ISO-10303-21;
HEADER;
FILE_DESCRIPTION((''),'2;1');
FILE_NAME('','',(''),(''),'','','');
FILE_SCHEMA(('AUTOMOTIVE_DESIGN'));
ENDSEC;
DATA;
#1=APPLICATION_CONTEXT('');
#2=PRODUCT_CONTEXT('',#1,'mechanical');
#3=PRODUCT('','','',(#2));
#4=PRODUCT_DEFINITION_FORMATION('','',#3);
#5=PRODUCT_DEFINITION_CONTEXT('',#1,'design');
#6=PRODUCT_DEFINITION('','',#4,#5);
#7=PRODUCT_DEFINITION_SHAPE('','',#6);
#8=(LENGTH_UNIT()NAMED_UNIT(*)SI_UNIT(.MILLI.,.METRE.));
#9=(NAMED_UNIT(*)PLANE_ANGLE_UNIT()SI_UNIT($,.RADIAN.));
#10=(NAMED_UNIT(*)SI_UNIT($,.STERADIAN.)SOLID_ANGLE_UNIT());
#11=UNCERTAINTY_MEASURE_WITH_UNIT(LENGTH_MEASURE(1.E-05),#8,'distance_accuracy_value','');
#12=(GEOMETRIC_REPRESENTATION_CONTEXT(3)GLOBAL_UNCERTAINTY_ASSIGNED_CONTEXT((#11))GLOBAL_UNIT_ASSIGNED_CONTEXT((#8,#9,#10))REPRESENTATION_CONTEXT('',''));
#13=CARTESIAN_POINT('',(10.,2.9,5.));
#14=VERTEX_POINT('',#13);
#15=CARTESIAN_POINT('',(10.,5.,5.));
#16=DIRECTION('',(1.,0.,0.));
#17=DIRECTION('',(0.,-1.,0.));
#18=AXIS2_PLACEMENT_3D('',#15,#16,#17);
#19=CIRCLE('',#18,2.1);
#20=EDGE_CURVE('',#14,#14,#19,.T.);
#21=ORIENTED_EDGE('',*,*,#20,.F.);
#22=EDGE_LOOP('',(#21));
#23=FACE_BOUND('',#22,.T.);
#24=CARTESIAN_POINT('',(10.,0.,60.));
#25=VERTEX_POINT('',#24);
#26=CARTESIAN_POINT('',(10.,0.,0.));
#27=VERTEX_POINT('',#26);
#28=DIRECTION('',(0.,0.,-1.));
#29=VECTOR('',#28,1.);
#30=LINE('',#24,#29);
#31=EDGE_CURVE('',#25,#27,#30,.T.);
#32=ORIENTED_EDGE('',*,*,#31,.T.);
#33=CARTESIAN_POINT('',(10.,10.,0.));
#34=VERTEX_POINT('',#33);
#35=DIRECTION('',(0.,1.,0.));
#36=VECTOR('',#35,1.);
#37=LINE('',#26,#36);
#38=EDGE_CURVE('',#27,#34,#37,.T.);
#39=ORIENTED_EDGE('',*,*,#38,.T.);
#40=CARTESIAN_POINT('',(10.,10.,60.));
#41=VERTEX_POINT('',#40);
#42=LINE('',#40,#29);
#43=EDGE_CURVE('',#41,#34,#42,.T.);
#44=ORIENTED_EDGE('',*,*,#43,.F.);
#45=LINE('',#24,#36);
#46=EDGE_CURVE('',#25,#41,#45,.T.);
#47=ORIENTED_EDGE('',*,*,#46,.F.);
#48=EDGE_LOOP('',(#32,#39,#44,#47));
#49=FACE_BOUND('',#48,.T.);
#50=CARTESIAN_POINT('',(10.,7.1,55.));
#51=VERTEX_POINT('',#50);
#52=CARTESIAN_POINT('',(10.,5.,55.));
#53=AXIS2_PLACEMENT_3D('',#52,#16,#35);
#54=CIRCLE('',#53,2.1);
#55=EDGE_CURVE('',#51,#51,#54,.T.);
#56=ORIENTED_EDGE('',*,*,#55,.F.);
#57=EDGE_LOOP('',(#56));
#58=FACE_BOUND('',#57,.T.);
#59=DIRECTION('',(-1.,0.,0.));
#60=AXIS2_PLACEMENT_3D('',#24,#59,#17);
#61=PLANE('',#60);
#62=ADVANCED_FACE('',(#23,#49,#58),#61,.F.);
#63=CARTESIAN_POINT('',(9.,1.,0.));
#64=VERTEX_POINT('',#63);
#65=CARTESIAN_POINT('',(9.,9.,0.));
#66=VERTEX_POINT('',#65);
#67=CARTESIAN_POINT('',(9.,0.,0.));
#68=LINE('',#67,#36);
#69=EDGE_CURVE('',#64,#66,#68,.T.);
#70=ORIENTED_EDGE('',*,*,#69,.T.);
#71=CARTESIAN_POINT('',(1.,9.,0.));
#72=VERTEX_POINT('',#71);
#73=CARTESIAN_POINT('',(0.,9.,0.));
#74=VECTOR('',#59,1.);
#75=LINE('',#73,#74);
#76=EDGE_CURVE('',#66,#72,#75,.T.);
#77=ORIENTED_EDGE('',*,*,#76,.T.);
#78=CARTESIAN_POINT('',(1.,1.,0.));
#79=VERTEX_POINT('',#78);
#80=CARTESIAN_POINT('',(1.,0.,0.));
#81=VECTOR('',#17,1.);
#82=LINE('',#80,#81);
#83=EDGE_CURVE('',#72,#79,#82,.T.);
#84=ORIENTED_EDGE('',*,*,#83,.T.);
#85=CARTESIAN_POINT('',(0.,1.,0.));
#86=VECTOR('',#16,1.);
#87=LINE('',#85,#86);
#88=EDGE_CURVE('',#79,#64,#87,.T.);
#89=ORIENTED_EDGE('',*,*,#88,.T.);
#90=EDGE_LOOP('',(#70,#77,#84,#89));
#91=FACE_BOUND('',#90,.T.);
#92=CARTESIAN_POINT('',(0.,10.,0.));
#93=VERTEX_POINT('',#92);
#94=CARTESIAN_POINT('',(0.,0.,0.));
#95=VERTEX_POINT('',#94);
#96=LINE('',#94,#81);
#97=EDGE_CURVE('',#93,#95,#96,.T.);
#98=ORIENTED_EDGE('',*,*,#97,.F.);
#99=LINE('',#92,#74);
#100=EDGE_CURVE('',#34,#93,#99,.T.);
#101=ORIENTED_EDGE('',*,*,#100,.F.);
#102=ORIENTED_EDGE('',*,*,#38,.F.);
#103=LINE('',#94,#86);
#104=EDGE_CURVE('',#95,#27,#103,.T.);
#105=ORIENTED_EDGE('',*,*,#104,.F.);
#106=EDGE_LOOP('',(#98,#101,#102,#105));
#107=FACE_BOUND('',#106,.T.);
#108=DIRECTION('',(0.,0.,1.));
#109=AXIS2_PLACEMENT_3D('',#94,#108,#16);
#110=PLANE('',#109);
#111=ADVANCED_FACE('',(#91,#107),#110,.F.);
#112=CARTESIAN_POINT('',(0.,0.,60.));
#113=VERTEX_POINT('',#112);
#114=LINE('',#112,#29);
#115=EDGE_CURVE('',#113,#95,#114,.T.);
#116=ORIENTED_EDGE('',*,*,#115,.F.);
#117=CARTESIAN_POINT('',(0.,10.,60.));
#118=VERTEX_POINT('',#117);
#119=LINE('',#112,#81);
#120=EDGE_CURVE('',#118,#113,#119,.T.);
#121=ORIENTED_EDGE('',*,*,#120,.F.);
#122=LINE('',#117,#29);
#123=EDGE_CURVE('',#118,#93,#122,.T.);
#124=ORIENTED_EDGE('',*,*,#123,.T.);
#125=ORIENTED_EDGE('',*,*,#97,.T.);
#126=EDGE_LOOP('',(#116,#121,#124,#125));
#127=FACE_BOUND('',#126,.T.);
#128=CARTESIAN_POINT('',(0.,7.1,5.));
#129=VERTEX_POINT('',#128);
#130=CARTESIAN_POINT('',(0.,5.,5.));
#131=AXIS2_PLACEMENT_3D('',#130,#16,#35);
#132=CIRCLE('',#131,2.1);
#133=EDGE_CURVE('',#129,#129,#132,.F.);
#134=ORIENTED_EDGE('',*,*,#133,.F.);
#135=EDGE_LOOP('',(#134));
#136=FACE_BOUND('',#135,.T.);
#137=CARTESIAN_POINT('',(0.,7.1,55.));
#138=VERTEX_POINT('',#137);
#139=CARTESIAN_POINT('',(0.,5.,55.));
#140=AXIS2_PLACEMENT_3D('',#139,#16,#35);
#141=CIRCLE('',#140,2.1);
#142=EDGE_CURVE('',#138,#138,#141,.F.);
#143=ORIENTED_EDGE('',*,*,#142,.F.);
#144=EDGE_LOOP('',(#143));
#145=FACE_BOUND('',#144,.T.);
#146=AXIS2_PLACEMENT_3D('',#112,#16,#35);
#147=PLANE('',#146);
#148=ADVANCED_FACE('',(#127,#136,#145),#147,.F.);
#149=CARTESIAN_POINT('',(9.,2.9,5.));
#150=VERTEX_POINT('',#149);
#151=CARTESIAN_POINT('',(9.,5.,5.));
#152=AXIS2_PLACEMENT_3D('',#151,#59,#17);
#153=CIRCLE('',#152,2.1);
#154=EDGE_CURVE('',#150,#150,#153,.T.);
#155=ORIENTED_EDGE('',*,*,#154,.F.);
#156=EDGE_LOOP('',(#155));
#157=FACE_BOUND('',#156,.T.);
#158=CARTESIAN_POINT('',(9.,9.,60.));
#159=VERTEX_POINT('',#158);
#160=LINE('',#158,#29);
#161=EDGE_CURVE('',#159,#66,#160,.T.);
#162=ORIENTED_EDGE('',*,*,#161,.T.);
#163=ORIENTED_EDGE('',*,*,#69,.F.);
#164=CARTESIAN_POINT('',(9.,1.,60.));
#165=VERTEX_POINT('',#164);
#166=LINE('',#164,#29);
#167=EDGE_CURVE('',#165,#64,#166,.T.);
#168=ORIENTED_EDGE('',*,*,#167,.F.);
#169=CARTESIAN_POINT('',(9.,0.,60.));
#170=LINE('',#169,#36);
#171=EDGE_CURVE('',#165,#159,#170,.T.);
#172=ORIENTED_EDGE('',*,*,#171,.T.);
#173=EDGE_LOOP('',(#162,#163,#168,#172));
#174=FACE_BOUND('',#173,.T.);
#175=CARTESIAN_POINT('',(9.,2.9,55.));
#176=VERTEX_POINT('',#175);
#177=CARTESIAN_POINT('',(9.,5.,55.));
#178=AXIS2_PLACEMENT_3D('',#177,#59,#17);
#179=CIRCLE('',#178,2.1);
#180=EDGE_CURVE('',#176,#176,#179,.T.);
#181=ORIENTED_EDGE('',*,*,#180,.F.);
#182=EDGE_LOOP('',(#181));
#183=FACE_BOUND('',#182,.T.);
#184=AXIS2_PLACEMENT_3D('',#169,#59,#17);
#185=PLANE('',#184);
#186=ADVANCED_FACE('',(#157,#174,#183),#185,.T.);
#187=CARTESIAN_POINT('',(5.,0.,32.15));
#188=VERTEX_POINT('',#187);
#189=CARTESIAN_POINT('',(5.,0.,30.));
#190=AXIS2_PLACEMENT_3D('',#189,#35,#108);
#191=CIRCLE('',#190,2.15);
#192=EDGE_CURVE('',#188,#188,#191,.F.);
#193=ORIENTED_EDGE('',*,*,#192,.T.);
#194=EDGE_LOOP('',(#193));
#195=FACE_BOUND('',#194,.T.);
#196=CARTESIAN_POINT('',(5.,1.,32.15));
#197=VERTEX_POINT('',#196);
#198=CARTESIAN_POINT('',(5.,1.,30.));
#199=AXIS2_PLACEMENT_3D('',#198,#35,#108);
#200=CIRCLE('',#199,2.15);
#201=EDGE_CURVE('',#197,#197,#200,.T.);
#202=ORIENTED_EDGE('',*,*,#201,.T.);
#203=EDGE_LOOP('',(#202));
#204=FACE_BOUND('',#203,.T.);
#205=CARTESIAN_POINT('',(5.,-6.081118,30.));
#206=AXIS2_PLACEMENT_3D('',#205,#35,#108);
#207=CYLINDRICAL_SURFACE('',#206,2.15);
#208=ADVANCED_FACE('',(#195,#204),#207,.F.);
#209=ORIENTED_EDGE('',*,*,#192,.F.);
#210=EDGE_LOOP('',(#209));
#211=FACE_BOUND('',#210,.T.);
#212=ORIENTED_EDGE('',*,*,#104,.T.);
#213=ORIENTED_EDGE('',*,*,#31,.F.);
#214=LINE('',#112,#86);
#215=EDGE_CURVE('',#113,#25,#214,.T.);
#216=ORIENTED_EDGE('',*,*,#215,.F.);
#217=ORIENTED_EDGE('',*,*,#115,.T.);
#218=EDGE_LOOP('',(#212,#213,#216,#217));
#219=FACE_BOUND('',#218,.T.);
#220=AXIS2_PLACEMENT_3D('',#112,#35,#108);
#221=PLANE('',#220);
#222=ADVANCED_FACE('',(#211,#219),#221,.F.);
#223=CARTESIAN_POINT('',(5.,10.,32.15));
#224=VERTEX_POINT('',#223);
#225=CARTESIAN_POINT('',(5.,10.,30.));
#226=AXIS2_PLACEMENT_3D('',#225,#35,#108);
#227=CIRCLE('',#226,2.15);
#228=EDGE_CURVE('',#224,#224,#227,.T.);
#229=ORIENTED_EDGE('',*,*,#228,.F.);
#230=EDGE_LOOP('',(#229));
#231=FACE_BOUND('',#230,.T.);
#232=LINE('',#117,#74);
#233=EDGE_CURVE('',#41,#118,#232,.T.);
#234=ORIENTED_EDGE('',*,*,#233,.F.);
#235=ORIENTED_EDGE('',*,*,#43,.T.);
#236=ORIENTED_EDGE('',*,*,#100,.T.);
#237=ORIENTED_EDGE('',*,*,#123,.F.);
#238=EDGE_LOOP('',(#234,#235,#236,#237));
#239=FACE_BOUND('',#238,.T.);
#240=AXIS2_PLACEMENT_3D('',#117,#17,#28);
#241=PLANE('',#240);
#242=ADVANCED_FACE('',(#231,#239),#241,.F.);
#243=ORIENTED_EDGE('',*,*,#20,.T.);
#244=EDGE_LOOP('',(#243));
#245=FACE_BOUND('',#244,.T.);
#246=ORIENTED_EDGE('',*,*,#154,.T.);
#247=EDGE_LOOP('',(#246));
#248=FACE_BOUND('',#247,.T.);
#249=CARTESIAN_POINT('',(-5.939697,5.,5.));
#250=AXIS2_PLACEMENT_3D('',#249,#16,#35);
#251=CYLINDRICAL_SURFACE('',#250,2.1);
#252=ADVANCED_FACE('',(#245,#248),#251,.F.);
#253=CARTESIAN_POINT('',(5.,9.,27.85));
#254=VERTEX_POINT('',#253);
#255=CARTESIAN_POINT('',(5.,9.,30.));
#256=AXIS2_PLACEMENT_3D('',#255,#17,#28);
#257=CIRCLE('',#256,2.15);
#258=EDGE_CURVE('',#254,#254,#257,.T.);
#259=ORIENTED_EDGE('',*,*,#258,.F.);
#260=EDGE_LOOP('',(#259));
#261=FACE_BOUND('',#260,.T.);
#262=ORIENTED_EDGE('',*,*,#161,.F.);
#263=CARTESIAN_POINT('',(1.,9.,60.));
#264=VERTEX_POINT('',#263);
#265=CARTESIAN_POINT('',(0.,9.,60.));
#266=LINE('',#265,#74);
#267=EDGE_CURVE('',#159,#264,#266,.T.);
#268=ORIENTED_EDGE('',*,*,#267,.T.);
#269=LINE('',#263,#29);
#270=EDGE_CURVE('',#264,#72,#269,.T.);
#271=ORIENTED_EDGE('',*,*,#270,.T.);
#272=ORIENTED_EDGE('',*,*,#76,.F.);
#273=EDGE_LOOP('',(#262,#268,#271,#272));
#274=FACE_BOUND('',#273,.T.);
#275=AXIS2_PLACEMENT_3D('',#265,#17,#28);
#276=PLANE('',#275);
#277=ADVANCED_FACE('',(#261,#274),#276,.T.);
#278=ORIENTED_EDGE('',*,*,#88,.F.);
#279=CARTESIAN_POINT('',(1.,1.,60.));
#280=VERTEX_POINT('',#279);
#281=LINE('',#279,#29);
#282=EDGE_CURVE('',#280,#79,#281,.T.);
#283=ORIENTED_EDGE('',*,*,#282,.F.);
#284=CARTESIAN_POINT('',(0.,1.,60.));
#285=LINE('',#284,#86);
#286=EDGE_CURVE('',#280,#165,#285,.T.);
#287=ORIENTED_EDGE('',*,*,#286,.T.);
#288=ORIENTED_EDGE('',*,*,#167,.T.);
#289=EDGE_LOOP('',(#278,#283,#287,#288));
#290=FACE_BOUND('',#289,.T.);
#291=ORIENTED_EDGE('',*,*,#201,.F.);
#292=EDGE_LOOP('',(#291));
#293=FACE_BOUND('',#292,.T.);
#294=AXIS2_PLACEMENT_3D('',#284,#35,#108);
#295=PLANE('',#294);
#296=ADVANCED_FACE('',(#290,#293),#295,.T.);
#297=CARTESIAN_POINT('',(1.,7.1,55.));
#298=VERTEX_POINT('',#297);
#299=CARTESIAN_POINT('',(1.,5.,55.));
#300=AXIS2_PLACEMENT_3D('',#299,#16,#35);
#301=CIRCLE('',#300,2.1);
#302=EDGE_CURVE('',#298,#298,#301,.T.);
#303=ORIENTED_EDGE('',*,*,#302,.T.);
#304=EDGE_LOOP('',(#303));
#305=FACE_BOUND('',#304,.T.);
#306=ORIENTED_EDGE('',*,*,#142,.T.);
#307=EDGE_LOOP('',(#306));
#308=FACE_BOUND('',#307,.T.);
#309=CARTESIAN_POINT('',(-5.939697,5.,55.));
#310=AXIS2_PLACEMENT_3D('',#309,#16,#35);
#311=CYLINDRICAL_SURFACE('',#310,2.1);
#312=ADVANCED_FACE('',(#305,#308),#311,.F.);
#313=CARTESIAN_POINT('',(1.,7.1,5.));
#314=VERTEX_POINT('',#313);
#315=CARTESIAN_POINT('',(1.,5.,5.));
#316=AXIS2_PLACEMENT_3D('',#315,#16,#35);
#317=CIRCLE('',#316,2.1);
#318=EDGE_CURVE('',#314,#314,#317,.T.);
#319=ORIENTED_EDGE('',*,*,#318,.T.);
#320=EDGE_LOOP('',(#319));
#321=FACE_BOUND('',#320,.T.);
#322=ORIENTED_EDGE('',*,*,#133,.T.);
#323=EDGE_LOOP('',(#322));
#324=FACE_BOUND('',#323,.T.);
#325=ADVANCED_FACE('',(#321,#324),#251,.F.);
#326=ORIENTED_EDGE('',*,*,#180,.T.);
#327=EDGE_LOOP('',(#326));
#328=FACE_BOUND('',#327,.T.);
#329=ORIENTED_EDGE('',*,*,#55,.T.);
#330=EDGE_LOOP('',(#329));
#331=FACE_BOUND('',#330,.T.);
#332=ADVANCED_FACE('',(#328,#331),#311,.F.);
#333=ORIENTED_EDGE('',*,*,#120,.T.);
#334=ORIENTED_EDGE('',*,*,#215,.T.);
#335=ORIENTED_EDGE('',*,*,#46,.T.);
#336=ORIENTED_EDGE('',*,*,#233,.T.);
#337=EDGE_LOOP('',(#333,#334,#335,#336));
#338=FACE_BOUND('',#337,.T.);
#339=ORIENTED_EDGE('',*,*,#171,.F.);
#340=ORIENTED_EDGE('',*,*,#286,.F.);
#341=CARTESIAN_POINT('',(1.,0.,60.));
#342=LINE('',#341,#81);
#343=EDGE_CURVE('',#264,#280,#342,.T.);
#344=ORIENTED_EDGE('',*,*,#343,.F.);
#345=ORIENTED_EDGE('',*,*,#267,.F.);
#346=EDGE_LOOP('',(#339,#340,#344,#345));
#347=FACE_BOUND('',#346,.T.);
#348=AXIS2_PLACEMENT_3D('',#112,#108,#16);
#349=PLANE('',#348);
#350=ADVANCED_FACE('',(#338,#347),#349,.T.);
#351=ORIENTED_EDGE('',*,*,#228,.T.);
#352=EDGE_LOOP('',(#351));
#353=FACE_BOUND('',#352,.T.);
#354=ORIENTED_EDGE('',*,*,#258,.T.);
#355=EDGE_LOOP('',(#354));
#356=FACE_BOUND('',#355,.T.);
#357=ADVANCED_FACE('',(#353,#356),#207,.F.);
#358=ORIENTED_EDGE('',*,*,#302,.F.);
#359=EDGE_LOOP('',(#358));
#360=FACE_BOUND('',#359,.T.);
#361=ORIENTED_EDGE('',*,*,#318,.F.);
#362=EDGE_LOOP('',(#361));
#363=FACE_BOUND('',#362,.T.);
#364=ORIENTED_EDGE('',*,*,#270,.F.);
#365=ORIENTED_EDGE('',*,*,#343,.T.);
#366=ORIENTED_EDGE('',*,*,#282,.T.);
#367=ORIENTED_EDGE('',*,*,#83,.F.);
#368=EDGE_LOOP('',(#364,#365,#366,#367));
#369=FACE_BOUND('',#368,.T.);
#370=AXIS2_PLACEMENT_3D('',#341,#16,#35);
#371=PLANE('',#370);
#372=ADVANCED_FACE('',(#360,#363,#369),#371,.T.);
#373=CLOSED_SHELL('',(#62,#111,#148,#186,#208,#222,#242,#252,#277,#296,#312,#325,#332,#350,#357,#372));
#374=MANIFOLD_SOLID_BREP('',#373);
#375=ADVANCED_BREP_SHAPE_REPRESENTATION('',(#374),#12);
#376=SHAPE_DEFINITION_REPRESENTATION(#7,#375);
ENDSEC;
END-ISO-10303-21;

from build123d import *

# Parameters (mm, degrees)
SKETCH_1_W          = 10
SKETCH_1_H          = 10
SKETCH_1_W_2        = 8
SKETCH_1_H_2        = 8
EXTRUDE_1_DEPTH     = 60
CUT_EXTRUDE_1_REACH = 63.644
SKETCH_2_R          = 2.1
CUT_EXTRUDE_2_REACH = 63.644
SKETCH_3_R          = 2.15


with BuildPart() as part:
    # ｽｹｯﾁ1 → 押し出し-薄板1 (new body)
    with BuildSketch(Plane.XY):
        with Locations((5, 5)):
            Rectangle(SKETCH_1_W, SKETCH_1_H)
        with Locations((5, 5)):
            Rectangle(SKETCH_1_W_2, SKETCH_1_H_2, mode=Mode.SUBTRACT)
    extrude(amount=EXTRUDE_1_DEPTH)

    # ｶｯﾄ - 押し出し1: up to this face of the body (flat: up to its plane)
    cut_extrude_1_end = Plane(part.part.faces().sort_by_distance((0, 5, 30))[0])
    # ｽｹｯﾁ2 → ｶｯﾄ - 押し出し1 (cut, up to the picked face)
    with BuildSketch(Plane(origin=(10, 0, 0), x_dir=(0, 0, -1), z_dir=(1, 0, 0)), mode=Mode.PRIVATE) as cut_extrude_1_sk1:
        with Locations(Location((-55, 5, 0), (0, 0, 90))):
            Circle(SKETCH_2_R)
    cut_extrude_1_tool1 = split(extrude(cut_extrude_1_sk1.sketch, amount=-CUT_EXTRUDE_1_REACH, mode=Mode.PRIVATE), bisect_by=cut_extrude_1_end, keep=Keep.BOTH, mode=Mode.PRIVATE)
    # ｽｹｯﾁ2 → ｶｯﾄ - 押し出し1 (cut, up to the picked face)
    with BuildSketch(Plane(origin=(10, 0, 0), x_dir=(0, 0, -1), z_dir=(1, 0, 0)), mode=Mode.PRIVATE) as cut_extrude_1_sk2:
        with Locations(Location((-5, 5, 0), (0, 0, 270))):
            Circle(SKETCH_2_R)
    cut_extrude_1_tool2 = split(extrude(cut_extrude_1_sk2.sketch, amount=-CUT_EXTRUDE_1_REACH, mode=Mode.PRIVATE), bisect_by=cut_extrude_1_end, keep=Keep.BOTH, mode=Mode.PRIVATE)
    add(cut_extrude_1_tool1.solids().sort_by(Axis((10, 5, 55), (-1, 0, 0)))[0], mode=Mode.SUBTRACT)
    add(cut_extrude_1_tool2.solids().sort_by(Axis((10, 5, 5), (-1, 0, 0)))[0], mode=Mode.SUBTRACT)

    # ｶｯﾄ - 押し出し2: up to this face of the body (flat: up to its plane)
    cut_extrude_2_end = Plane(part.part.faces().sort_by_distance((5, 0, 30))[0])
    # ｽｹｯﾁ3 → ｶｯﾄ - 押し出し2 (cut, up to the picked face)
    with BuildSketch(Plane(origin=(0, 10, 0), x_dir=(1, 0, 0), z_dir=(0, 1, 0)), mode=Mode.PRIVATE) as cut_extrude_2_sk1:
        with Locations(Location((5, -30, 0), (0, 0, 270))):
            Circle(SKETCH_3_R)
    cut_extrude_2_tool1 = split(extrude(cut_extrude_2_sk1.sketch, amount=-CUT_EXTRUDE_2_REACH, mode=Mode.PRIVATE), bisect_by=cut_extrude_2_end, keep=Keep.BOTH, mode=Mode.PRIVATE)
    add(cut_extrude_2_tool1.solids().sort_by(Axis((5, 10, 30), (0, -1, 0)))[0], mode=Mode.SUBTRACT)


solid = part.part
